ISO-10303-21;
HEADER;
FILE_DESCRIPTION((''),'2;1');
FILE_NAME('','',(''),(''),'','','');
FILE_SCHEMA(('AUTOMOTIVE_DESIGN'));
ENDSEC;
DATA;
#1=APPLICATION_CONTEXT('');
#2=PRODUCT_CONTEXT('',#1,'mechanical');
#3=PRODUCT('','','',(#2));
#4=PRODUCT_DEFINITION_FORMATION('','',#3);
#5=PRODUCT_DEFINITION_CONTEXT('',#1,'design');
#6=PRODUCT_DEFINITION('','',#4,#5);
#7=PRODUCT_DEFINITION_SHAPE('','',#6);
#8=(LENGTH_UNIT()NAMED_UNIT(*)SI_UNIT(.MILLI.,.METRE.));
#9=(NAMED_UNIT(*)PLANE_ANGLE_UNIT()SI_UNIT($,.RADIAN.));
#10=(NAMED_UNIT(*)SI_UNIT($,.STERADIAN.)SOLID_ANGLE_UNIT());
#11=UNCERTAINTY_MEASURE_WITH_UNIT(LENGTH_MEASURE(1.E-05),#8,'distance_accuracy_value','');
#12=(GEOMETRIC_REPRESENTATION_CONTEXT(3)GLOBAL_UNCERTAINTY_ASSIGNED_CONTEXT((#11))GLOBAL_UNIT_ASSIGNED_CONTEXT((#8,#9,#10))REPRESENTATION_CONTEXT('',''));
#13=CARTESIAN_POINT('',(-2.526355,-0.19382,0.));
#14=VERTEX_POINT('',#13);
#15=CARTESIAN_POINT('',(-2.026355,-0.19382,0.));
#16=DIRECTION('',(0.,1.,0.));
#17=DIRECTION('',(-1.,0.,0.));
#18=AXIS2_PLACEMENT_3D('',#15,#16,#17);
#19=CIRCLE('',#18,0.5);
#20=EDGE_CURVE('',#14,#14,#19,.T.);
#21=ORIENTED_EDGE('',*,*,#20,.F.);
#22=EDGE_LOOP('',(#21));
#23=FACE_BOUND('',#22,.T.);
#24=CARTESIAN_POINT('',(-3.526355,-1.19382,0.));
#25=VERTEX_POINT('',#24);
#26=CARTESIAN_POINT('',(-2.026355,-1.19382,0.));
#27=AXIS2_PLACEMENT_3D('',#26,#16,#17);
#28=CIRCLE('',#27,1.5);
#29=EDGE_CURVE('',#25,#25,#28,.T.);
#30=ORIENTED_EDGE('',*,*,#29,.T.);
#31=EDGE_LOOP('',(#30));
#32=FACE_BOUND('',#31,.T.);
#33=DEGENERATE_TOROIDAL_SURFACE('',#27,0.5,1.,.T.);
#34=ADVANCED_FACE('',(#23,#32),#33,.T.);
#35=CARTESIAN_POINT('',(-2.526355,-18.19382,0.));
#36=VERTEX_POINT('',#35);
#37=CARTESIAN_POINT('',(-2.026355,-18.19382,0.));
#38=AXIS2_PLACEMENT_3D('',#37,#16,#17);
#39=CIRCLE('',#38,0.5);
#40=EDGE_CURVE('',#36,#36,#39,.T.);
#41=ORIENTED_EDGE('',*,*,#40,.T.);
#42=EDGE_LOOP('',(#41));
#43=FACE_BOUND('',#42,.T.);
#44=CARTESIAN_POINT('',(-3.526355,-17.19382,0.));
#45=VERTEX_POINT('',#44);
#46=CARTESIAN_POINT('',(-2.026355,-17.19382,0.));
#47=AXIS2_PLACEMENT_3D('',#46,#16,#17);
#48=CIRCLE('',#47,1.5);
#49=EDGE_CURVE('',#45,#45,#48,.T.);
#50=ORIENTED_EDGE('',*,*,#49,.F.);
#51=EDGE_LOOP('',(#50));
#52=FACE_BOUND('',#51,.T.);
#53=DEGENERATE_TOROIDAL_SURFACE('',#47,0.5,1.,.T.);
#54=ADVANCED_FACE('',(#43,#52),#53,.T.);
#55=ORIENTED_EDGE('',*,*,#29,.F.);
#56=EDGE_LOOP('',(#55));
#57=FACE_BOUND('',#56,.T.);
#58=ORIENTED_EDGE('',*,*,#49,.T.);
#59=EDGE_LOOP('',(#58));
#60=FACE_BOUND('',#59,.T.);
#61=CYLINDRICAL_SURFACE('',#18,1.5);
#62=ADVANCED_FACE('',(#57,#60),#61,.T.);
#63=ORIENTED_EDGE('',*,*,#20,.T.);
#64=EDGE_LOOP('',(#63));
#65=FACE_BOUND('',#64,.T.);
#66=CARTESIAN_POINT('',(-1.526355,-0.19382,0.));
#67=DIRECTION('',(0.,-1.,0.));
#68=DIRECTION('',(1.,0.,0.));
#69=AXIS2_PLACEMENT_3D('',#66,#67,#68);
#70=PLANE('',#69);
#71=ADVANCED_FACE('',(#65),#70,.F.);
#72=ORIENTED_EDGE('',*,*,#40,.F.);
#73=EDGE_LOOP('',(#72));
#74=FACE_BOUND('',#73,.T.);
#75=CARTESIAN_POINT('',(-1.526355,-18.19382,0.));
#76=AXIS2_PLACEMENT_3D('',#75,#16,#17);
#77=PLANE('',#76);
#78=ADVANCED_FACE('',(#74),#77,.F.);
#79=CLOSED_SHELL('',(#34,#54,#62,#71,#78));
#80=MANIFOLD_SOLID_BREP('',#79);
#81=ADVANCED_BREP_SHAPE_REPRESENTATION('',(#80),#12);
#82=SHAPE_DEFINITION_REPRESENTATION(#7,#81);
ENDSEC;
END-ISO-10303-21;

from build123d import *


with BuildPart() as part:
    # Эскиз1 → Повернуть3 (revolve)
    with BuildSketch(Plane.XY):
        with BuildLine():
            Line((-2.026354969, -0.193820225), (-2.026354969, -18.193820225))
            Line((-2.026354969, -18.193820225), (-1.526354969, -18.193820225))
            ThreePointArc((-1.526354969, -18.193820225), (-0.819248188, -17.900927006), (-0.526354969, -17.193820225))
            Line((-0.526354969, -17.193820225), (-0.526354969, -1.193820225))
            ThreePointArc((-0.526354969, -1.193820225), (-0.819248188, -0.486713444), (-1.526354969, -0.193820225))
            Line((-1.526354969, -0.193820225), (-2.026354969, -0.193820225))
        make_face()
    revolve(axis=Axis((-2.026354969, -0.193820225, 0), (0, -1, 0)))


solid = part.part
